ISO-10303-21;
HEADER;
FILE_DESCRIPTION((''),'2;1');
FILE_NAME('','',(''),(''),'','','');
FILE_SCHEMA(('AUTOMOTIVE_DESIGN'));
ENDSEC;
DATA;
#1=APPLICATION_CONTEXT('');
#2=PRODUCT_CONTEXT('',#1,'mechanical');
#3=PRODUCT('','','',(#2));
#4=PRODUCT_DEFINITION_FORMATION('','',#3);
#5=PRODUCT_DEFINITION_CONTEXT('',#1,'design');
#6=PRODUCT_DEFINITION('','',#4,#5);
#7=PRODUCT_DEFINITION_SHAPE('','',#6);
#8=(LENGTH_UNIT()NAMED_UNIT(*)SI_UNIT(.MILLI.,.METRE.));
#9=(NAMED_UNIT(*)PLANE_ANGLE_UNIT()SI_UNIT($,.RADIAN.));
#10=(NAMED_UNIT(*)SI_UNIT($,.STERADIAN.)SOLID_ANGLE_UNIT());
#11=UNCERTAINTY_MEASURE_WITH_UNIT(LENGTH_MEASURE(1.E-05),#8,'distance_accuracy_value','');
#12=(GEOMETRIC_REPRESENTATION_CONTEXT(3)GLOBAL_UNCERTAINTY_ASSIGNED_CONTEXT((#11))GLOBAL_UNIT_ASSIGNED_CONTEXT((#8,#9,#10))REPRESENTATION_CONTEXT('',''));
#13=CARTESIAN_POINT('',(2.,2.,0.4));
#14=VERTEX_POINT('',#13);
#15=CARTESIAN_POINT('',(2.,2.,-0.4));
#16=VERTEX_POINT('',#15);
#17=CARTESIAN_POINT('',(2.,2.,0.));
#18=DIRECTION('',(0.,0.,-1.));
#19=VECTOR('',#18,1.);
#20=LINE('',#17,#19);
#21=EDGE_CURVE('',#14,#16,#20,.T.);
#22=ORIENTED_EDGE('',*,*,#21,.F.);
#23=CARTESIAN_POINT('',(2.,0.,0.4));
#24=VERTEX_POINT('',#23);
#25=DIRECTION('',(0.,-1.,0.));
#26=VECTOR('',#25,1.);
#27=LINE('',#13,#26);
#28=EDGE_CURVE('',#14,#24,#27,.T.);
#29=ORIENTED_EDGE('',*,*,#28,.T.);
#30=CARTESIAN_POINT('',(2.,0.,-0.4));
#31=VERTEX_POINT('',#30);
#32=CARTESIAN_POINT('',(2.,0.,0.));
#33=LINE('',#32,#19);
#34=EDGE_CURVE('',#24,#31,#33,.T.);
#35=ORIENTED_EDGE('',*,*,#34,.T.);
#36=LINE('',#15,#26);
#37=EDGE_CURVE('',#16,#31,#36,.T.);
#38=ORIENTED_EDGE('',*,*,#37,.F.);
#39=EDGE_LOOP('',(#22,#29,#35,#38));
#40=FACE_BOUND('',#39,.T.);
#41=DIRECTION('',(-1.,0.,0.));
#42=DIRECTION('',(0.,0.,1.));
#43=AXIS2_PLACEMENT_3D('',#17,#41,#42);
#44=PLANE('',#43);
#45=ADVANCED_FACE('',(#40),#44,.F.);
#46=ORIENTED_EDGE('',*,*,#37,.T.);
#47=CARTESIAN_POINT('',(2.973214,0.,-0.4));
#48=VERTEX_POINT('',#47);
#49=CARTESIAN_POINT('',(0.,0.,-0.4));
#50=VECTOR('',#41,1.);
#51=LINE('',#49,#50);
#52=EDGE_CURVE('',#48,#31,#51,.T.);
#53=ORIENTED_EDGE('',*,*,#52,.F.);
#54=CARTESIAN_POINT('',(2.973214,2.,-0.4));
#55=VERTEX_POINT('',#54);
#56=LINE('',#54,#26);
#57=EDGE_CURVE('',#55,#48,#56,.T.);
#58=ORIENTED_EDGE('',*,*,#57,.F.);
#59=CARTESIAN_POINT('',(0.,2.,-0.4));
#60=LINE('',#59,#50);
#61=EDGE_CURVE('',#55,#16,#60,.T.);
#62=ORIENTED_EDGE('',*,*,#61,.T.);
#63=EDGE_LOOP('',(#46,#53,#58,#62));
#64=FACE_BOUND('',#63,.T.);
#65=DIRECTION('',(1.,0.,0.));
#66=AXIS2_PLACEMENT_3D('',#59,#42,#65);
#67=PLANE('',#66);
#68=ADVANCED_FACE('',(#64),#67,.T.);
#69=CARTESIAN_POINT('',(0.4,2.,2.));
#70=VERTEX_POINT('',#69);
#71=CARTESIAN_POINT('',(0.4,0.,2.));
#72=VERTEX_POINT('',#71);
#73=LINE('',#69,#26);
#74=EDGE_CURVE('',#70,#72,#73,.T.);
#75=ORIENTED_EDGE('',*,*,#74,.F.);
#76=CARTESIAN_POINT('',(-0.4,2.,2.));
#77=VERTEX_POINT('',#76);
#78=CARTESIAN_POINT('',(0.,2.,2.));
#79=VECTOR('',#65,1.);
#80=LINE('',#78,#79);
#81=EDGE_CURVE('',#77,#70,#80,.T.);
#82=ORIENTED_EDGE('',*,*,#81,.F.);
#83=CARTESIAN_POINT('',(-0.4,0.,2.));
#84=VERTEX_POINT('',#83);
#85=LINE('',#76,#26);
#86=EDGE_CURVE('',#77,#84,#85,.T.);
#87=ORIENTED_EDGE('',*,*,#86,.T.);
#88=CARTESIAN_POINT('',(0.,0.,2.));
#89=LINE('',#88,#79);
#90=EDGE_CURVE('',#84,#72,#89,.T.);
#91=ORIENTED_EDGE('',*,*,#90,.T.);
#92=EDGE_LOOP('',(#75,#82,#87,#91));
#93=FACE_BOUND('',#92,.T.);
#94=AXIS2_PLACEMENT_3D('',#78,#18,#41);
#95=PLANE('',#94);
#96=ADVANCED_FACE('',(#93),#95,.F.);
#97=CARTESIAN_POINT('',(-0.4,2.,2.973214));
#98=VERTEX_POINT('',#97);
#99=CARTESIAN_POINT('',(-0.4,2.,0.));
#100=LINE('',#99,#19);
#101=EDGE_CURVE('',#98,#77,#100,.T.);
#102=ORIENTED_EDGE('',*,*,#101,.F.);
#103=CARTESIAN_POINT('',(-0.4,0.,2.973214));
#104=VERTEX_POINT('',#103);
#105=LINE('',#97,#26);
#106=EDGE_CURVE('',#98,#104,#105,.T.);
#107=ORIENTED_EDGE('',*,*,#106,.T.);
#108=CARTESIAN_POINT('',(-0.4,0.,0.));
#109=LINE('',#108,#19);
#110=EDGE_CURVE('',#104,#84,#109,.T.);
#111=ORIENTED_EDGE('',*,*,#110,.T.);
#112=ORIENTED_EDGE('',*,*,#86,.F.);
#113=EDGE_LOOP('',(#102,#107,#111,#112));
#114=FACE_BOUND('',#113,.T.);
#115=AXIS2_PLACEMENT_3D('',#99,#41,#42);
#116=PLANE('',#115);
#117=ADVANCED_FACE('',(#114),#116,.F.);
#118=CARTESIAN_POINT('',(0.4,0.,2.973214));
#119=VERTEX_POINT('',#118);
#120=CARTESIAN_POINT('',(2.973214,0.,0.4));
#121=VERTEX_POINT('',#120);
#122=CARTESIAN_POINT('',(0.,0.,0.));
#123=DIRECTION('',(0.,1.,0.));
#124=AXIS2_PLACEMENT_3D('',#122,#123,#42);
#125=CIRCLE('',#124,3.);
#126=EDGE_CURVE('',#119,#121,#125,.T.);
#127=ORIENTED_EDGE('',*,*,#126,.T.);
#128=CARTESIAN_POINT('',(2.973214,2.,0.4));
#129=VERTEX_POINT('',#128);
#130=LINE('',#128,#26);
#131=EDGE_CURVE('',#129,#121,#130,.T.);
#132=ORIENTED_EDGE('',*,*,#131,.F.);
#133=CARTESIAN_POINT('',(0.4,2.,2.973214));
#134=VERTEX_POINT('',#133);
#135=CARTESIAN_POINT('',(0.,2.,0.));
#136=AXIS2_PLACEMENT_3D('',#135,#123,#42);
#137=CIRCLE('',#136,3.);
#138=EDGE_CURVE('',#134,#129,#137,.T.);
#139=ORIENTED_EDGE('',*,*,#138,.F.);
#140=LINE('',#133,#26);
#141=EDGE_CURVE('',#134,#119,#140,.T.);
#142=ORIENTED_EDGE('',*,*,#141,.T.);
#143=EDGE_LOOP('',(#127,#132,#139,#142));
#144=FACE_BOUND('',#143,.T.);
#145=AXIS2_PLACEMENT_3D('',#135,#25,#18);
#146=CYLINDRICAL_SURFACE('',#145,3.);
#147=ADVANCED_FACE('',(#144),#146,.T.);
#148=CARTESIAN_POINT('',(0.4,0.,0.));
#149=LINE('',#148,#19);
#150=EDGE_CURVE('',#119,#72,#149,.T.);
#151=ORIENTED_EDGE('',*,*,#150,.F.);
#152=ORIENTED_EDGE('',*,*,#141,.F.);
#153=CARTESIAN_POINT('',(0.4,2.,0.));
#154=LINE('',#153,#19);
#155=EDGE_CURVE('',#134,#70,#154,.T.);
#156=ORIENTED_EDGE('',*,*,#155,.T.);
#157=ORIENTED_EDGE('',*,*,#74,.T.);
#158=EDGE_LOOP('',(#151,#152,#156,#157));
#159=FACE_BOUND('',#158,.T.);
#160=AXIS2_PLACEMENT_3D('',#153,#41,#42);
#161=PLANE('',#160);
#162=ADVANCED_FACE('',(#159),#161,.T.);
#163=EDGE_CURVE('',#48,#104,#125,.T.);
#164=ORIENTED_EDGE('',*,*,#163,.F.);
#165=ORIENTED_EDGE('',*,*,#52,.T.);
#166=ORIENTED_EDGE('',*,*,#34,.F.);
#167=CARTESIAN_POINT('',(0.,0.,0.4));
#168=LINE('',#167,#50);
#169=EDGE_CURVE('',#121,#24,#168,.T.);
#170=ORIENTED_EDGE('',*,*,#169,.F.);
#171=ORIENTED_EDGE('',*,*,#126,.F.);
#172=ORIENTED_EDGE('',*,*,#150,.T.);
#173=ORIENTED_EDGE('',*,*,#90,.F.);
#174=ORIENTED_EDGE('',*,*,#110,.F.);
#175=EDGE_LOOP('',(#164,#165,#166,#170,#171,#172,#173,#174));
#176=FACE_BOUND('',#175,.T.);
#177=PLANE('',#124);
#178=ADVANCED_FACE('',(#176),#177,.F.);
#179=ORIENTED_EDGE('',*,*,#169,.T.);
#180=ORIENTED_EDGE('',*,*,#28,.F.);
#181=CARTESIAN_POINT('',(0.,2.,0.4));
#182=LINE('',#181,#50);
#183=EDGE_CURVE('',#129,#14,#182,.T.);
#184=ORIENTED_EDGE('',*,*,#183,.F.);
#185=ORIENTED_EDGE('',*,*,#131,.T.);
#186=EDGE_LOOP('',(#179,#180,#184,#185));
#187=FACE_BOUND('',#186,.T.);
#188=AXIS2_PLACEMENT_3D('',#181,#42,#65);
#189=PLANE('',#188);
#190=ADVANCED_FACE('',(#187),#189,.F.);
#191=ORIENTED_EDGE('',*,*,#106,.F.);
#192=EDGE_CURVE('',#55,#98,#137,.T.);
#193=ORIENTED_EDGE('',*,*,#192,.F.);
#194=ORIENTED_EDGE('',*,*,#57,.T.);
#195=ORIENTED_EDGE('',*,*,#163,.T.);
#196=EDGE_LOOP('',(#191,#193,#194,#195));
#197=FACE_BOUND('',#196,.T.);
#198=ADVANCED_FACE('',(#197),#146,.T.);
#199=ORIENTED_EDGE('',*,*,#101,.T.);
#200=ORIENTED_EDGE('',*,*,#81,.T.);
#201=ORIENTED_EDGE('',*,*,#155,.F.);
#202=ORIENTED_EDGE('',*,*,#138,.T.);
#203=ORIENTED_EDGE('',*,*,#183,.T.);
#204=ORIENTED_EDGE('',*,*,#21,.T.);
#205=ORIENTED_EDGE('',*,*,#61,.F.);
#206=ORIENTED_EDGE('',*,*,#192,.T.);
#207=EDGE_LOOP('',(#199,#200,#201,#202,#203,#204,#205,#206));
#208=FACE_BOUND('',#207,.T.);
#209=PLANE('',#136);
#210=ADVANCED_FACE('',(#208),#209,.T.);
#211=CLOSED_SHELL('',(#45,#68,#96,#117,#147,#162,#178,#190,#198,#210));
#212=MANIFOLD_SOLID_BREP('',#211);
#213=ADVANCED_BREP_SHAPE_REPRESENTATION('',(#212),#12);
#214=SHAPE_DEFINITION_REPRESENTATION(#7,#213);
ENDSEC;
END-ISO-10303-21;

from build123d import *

# Parameters (mm, degrees)
BOSS_EXTRUDE1_DEPTH = 2


with BuildPart() as part:
    # Sketch2 → Boss-Extrude1 (new body)
    with BuildSketch(Plane(origin=(0, 0, 0), x_dir=(1, 0, 0), z_dir=(0, 1, 0))):
        with BuildLine():
            ThreePointArc((2.973213749, 0.4), (-2.121320344, 2.121320344), (-0.4, -2.973213749))
            Line((-0.4, -2.973213749), (-0.4, -2))
            Line((-0.4, -2), (0.4, -2))
            Line((0.4, -2), (0.4, -2.973213749))
            ThreePointArc((0.4, -2.973213749), (2.121320344, -2.121320344), (2.973213749, -0.4))
            Line((2.973213749, -0.4), (2, -0.4))
            Line((2, -0.4), (2, 0.4))
            Line((2, 0.4), (2.973213749, 0.4))
        make_face()
    extrude(amount=BOSS_EXTRUDE1_DEPTH)


solid = part.part
